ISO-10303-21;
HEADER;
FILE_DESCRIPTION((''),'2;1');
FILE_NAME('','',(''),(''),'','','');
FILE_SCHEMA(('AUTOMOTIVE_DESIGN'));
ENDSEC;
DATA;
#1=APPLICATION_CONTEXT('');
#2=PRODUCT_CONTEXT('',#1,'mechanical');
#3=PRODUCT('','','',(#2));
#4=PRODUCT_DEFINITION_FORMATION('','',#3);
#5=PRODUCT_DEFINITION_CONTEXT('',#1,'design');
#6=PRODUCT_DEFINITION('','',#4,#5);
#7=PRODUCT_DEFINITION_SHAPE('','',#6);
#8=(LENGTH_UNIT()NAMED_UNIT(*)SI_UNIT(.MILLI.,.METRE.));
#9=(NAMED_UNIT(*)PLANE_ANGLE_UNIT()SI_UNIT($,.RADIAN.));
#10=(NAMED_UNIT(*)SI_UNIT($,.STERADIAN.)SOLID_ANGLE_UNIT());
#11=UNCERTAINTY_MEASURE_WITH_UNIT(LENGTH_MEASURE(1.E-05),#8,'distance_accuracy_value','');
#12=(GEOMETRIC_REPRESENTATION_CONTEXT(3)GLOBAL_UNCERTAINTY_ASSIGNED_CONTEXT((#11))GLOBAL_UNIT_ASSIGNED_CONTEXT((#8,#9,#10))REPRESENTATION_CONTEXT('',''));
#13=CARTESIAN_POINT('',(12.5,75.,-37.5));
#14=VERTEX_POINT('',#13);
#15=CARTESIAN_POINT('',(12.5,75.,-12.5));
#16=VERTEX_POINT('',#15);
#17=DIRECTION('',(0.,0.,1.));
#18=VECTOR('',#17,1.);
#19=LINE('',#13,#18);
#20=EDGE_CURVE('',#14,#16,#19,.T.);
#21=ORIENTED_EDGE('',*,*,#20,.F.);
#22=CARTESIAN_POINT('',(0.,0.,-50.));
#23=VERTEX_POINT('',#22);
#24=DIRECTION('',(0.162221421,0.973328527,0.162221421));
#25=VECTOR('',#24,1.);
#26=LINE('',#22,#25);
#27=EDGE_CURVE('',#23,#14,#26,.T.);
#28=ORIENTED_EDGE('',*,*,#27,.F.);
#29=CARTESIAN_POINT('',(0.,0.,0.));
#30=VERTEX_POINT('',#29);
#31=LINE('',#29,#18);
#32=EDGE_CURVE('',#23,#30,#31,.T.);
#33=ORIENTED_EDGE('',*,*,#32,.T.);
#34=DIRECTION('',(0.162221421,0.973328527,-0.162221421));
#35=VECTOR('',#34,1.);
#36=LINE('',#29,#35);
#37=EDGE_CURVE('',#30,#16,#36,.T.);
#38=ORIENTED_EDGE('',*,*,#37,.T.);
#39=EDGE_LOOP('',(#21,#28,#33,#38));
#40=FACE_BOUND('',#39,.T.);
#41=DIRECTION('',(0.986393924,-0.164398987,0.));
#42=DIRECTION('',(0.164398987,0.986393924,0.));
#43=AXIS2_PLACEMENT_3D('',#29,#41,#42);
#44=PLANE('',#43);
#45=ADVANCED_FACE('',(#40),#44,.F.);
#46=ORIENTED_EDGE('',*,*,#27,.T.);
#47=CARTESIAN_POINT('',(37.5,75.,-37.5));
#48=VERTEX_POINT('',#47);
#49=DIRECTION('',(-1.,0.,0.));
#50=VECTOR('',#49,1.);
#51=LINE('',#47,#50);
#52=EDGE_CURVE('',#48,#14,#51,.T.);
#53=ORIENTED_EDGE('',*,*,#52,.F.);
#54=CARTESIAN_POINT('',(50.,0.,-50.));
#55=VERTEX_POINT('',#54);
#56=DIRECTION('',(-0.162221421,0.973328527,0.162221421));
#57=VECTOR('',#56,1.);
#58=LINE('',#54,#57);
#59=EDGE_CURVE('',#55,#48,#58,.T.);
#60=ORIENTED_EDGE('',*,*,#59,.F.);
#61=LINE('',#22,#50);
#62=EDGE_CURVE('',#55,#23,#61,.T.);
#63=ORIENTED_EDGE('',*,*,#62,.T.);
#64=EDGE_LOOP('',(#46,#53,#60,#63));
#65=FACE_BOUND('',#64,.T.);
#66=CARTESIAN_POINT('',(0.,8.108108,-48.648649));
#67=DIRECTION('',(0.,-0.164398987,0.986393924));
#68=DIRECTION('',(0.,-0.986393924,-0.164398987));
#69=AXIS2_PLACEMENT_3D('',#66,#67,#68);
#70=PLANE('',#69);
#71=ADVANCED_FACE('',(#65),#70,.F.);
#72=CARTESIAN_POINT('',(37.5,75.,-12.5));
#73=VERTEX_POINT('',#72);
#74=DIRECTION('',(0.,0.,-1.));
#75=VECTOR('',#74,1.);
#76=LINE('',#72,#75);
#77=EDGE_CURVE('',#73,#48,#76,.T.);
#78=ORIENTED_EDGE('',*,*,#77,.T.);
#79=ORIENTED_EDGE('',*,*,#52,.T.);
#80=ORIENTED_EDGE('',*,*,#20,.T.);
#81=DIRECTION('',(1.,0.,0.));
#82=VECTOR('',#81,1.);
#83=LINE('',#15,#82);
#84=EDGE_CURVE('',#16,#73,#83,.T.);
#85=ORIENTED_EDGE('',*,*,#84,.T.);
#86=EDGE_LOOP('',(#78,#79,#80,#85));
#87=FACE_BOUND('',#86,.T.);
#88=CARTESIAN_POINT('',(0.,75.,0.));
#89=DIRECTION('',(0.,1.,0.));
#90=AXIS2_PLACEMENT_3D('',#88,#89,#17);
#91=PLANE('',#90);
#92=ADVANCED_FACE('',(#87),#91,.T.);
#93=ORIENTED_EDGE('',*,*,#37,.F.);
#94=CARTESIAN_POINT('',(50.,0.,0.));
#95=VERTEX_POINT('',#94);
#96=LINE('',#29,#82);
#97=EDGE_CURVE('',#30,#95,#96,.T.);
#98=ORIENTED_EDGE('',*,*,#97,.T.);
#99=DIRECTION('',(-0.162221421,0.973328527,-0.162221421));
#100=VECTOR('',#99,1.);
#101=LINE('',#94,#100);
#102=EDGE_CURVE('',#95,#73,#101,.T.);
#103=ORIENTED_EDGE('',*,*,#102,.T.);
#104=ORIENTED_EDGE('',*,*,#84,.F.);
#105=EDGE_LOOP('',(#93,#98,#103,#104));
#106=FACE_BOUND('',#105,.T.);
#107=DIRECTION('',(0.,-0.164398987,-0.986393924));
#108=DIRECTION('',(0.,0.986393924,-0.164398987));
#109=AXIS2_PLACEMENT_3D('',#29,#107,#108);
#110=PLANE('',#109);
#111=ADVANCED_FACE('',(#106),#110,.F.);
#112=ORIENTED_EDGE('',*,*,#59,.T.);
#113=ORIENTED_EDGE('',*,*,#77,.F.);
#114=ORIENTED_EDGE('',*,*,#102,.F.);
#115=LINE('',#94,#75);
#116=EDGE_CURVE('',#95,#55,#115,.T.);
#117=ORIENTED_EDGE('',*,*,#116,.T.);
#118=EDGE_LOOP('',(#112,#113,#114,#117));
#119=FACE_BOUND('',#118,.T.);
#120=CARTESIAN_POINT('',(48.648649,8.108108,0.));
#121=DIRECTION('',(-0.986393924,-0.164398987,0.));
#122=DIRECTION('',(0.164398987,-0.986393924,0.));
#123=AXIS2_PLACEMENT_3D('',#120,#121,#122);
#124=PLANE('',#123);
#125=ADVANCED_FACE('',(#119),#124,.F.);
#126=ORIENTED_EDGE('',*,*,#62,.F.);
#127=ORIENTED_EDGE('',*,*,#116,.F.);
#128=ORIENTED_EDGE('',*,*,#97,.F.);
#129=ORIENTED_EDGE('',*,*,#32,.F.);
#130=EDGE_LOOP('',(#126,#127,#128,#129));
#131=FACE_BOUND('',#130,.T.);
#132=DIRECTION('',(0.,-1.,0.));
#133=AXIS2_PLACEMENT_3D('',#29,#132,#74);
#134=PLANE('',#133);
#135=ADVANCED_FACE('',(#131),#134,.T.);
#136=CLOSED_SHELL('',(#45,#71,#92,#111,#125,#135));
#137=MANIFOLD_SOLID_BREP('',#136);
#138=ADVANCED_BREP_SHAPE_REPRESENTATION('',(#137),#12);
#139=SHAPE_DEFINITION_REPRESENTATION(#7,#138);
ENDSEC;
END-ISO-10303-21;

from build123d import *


with BuildPart() as part:
    # 草图1 → 放样1 section 0
    with BuildSketch(Plane(origin=(0, 0, 0), x_dir=(1, 0, 0), z_dir=(0, 1, 0))):
        with BuildLine():
            Line((0, 0), (50, 0))
            Line((50, 0), (50, 50))
            Line((50, 50), (0, 50))
            Line((0, 50), (0, 0))
        make_face()
    # 草图3 → 放样1 section 1
    with BuildSketch(Plane(origin=(0, 75, 0), x_dir=(1, 0, 0), z_dir=(0, 1, 0))):
        with BuildLine():
            Line((37.5, 37.5), (12.5, 37.5))
            Line((12.5, 37.5), (12.5, 12.5))
            Line((12.5, 12.5), (37.5, 12.5))
            Line((37.5, 12.5), (37.5, 37.5))
        make_face()
    loft()


solid = part.part
